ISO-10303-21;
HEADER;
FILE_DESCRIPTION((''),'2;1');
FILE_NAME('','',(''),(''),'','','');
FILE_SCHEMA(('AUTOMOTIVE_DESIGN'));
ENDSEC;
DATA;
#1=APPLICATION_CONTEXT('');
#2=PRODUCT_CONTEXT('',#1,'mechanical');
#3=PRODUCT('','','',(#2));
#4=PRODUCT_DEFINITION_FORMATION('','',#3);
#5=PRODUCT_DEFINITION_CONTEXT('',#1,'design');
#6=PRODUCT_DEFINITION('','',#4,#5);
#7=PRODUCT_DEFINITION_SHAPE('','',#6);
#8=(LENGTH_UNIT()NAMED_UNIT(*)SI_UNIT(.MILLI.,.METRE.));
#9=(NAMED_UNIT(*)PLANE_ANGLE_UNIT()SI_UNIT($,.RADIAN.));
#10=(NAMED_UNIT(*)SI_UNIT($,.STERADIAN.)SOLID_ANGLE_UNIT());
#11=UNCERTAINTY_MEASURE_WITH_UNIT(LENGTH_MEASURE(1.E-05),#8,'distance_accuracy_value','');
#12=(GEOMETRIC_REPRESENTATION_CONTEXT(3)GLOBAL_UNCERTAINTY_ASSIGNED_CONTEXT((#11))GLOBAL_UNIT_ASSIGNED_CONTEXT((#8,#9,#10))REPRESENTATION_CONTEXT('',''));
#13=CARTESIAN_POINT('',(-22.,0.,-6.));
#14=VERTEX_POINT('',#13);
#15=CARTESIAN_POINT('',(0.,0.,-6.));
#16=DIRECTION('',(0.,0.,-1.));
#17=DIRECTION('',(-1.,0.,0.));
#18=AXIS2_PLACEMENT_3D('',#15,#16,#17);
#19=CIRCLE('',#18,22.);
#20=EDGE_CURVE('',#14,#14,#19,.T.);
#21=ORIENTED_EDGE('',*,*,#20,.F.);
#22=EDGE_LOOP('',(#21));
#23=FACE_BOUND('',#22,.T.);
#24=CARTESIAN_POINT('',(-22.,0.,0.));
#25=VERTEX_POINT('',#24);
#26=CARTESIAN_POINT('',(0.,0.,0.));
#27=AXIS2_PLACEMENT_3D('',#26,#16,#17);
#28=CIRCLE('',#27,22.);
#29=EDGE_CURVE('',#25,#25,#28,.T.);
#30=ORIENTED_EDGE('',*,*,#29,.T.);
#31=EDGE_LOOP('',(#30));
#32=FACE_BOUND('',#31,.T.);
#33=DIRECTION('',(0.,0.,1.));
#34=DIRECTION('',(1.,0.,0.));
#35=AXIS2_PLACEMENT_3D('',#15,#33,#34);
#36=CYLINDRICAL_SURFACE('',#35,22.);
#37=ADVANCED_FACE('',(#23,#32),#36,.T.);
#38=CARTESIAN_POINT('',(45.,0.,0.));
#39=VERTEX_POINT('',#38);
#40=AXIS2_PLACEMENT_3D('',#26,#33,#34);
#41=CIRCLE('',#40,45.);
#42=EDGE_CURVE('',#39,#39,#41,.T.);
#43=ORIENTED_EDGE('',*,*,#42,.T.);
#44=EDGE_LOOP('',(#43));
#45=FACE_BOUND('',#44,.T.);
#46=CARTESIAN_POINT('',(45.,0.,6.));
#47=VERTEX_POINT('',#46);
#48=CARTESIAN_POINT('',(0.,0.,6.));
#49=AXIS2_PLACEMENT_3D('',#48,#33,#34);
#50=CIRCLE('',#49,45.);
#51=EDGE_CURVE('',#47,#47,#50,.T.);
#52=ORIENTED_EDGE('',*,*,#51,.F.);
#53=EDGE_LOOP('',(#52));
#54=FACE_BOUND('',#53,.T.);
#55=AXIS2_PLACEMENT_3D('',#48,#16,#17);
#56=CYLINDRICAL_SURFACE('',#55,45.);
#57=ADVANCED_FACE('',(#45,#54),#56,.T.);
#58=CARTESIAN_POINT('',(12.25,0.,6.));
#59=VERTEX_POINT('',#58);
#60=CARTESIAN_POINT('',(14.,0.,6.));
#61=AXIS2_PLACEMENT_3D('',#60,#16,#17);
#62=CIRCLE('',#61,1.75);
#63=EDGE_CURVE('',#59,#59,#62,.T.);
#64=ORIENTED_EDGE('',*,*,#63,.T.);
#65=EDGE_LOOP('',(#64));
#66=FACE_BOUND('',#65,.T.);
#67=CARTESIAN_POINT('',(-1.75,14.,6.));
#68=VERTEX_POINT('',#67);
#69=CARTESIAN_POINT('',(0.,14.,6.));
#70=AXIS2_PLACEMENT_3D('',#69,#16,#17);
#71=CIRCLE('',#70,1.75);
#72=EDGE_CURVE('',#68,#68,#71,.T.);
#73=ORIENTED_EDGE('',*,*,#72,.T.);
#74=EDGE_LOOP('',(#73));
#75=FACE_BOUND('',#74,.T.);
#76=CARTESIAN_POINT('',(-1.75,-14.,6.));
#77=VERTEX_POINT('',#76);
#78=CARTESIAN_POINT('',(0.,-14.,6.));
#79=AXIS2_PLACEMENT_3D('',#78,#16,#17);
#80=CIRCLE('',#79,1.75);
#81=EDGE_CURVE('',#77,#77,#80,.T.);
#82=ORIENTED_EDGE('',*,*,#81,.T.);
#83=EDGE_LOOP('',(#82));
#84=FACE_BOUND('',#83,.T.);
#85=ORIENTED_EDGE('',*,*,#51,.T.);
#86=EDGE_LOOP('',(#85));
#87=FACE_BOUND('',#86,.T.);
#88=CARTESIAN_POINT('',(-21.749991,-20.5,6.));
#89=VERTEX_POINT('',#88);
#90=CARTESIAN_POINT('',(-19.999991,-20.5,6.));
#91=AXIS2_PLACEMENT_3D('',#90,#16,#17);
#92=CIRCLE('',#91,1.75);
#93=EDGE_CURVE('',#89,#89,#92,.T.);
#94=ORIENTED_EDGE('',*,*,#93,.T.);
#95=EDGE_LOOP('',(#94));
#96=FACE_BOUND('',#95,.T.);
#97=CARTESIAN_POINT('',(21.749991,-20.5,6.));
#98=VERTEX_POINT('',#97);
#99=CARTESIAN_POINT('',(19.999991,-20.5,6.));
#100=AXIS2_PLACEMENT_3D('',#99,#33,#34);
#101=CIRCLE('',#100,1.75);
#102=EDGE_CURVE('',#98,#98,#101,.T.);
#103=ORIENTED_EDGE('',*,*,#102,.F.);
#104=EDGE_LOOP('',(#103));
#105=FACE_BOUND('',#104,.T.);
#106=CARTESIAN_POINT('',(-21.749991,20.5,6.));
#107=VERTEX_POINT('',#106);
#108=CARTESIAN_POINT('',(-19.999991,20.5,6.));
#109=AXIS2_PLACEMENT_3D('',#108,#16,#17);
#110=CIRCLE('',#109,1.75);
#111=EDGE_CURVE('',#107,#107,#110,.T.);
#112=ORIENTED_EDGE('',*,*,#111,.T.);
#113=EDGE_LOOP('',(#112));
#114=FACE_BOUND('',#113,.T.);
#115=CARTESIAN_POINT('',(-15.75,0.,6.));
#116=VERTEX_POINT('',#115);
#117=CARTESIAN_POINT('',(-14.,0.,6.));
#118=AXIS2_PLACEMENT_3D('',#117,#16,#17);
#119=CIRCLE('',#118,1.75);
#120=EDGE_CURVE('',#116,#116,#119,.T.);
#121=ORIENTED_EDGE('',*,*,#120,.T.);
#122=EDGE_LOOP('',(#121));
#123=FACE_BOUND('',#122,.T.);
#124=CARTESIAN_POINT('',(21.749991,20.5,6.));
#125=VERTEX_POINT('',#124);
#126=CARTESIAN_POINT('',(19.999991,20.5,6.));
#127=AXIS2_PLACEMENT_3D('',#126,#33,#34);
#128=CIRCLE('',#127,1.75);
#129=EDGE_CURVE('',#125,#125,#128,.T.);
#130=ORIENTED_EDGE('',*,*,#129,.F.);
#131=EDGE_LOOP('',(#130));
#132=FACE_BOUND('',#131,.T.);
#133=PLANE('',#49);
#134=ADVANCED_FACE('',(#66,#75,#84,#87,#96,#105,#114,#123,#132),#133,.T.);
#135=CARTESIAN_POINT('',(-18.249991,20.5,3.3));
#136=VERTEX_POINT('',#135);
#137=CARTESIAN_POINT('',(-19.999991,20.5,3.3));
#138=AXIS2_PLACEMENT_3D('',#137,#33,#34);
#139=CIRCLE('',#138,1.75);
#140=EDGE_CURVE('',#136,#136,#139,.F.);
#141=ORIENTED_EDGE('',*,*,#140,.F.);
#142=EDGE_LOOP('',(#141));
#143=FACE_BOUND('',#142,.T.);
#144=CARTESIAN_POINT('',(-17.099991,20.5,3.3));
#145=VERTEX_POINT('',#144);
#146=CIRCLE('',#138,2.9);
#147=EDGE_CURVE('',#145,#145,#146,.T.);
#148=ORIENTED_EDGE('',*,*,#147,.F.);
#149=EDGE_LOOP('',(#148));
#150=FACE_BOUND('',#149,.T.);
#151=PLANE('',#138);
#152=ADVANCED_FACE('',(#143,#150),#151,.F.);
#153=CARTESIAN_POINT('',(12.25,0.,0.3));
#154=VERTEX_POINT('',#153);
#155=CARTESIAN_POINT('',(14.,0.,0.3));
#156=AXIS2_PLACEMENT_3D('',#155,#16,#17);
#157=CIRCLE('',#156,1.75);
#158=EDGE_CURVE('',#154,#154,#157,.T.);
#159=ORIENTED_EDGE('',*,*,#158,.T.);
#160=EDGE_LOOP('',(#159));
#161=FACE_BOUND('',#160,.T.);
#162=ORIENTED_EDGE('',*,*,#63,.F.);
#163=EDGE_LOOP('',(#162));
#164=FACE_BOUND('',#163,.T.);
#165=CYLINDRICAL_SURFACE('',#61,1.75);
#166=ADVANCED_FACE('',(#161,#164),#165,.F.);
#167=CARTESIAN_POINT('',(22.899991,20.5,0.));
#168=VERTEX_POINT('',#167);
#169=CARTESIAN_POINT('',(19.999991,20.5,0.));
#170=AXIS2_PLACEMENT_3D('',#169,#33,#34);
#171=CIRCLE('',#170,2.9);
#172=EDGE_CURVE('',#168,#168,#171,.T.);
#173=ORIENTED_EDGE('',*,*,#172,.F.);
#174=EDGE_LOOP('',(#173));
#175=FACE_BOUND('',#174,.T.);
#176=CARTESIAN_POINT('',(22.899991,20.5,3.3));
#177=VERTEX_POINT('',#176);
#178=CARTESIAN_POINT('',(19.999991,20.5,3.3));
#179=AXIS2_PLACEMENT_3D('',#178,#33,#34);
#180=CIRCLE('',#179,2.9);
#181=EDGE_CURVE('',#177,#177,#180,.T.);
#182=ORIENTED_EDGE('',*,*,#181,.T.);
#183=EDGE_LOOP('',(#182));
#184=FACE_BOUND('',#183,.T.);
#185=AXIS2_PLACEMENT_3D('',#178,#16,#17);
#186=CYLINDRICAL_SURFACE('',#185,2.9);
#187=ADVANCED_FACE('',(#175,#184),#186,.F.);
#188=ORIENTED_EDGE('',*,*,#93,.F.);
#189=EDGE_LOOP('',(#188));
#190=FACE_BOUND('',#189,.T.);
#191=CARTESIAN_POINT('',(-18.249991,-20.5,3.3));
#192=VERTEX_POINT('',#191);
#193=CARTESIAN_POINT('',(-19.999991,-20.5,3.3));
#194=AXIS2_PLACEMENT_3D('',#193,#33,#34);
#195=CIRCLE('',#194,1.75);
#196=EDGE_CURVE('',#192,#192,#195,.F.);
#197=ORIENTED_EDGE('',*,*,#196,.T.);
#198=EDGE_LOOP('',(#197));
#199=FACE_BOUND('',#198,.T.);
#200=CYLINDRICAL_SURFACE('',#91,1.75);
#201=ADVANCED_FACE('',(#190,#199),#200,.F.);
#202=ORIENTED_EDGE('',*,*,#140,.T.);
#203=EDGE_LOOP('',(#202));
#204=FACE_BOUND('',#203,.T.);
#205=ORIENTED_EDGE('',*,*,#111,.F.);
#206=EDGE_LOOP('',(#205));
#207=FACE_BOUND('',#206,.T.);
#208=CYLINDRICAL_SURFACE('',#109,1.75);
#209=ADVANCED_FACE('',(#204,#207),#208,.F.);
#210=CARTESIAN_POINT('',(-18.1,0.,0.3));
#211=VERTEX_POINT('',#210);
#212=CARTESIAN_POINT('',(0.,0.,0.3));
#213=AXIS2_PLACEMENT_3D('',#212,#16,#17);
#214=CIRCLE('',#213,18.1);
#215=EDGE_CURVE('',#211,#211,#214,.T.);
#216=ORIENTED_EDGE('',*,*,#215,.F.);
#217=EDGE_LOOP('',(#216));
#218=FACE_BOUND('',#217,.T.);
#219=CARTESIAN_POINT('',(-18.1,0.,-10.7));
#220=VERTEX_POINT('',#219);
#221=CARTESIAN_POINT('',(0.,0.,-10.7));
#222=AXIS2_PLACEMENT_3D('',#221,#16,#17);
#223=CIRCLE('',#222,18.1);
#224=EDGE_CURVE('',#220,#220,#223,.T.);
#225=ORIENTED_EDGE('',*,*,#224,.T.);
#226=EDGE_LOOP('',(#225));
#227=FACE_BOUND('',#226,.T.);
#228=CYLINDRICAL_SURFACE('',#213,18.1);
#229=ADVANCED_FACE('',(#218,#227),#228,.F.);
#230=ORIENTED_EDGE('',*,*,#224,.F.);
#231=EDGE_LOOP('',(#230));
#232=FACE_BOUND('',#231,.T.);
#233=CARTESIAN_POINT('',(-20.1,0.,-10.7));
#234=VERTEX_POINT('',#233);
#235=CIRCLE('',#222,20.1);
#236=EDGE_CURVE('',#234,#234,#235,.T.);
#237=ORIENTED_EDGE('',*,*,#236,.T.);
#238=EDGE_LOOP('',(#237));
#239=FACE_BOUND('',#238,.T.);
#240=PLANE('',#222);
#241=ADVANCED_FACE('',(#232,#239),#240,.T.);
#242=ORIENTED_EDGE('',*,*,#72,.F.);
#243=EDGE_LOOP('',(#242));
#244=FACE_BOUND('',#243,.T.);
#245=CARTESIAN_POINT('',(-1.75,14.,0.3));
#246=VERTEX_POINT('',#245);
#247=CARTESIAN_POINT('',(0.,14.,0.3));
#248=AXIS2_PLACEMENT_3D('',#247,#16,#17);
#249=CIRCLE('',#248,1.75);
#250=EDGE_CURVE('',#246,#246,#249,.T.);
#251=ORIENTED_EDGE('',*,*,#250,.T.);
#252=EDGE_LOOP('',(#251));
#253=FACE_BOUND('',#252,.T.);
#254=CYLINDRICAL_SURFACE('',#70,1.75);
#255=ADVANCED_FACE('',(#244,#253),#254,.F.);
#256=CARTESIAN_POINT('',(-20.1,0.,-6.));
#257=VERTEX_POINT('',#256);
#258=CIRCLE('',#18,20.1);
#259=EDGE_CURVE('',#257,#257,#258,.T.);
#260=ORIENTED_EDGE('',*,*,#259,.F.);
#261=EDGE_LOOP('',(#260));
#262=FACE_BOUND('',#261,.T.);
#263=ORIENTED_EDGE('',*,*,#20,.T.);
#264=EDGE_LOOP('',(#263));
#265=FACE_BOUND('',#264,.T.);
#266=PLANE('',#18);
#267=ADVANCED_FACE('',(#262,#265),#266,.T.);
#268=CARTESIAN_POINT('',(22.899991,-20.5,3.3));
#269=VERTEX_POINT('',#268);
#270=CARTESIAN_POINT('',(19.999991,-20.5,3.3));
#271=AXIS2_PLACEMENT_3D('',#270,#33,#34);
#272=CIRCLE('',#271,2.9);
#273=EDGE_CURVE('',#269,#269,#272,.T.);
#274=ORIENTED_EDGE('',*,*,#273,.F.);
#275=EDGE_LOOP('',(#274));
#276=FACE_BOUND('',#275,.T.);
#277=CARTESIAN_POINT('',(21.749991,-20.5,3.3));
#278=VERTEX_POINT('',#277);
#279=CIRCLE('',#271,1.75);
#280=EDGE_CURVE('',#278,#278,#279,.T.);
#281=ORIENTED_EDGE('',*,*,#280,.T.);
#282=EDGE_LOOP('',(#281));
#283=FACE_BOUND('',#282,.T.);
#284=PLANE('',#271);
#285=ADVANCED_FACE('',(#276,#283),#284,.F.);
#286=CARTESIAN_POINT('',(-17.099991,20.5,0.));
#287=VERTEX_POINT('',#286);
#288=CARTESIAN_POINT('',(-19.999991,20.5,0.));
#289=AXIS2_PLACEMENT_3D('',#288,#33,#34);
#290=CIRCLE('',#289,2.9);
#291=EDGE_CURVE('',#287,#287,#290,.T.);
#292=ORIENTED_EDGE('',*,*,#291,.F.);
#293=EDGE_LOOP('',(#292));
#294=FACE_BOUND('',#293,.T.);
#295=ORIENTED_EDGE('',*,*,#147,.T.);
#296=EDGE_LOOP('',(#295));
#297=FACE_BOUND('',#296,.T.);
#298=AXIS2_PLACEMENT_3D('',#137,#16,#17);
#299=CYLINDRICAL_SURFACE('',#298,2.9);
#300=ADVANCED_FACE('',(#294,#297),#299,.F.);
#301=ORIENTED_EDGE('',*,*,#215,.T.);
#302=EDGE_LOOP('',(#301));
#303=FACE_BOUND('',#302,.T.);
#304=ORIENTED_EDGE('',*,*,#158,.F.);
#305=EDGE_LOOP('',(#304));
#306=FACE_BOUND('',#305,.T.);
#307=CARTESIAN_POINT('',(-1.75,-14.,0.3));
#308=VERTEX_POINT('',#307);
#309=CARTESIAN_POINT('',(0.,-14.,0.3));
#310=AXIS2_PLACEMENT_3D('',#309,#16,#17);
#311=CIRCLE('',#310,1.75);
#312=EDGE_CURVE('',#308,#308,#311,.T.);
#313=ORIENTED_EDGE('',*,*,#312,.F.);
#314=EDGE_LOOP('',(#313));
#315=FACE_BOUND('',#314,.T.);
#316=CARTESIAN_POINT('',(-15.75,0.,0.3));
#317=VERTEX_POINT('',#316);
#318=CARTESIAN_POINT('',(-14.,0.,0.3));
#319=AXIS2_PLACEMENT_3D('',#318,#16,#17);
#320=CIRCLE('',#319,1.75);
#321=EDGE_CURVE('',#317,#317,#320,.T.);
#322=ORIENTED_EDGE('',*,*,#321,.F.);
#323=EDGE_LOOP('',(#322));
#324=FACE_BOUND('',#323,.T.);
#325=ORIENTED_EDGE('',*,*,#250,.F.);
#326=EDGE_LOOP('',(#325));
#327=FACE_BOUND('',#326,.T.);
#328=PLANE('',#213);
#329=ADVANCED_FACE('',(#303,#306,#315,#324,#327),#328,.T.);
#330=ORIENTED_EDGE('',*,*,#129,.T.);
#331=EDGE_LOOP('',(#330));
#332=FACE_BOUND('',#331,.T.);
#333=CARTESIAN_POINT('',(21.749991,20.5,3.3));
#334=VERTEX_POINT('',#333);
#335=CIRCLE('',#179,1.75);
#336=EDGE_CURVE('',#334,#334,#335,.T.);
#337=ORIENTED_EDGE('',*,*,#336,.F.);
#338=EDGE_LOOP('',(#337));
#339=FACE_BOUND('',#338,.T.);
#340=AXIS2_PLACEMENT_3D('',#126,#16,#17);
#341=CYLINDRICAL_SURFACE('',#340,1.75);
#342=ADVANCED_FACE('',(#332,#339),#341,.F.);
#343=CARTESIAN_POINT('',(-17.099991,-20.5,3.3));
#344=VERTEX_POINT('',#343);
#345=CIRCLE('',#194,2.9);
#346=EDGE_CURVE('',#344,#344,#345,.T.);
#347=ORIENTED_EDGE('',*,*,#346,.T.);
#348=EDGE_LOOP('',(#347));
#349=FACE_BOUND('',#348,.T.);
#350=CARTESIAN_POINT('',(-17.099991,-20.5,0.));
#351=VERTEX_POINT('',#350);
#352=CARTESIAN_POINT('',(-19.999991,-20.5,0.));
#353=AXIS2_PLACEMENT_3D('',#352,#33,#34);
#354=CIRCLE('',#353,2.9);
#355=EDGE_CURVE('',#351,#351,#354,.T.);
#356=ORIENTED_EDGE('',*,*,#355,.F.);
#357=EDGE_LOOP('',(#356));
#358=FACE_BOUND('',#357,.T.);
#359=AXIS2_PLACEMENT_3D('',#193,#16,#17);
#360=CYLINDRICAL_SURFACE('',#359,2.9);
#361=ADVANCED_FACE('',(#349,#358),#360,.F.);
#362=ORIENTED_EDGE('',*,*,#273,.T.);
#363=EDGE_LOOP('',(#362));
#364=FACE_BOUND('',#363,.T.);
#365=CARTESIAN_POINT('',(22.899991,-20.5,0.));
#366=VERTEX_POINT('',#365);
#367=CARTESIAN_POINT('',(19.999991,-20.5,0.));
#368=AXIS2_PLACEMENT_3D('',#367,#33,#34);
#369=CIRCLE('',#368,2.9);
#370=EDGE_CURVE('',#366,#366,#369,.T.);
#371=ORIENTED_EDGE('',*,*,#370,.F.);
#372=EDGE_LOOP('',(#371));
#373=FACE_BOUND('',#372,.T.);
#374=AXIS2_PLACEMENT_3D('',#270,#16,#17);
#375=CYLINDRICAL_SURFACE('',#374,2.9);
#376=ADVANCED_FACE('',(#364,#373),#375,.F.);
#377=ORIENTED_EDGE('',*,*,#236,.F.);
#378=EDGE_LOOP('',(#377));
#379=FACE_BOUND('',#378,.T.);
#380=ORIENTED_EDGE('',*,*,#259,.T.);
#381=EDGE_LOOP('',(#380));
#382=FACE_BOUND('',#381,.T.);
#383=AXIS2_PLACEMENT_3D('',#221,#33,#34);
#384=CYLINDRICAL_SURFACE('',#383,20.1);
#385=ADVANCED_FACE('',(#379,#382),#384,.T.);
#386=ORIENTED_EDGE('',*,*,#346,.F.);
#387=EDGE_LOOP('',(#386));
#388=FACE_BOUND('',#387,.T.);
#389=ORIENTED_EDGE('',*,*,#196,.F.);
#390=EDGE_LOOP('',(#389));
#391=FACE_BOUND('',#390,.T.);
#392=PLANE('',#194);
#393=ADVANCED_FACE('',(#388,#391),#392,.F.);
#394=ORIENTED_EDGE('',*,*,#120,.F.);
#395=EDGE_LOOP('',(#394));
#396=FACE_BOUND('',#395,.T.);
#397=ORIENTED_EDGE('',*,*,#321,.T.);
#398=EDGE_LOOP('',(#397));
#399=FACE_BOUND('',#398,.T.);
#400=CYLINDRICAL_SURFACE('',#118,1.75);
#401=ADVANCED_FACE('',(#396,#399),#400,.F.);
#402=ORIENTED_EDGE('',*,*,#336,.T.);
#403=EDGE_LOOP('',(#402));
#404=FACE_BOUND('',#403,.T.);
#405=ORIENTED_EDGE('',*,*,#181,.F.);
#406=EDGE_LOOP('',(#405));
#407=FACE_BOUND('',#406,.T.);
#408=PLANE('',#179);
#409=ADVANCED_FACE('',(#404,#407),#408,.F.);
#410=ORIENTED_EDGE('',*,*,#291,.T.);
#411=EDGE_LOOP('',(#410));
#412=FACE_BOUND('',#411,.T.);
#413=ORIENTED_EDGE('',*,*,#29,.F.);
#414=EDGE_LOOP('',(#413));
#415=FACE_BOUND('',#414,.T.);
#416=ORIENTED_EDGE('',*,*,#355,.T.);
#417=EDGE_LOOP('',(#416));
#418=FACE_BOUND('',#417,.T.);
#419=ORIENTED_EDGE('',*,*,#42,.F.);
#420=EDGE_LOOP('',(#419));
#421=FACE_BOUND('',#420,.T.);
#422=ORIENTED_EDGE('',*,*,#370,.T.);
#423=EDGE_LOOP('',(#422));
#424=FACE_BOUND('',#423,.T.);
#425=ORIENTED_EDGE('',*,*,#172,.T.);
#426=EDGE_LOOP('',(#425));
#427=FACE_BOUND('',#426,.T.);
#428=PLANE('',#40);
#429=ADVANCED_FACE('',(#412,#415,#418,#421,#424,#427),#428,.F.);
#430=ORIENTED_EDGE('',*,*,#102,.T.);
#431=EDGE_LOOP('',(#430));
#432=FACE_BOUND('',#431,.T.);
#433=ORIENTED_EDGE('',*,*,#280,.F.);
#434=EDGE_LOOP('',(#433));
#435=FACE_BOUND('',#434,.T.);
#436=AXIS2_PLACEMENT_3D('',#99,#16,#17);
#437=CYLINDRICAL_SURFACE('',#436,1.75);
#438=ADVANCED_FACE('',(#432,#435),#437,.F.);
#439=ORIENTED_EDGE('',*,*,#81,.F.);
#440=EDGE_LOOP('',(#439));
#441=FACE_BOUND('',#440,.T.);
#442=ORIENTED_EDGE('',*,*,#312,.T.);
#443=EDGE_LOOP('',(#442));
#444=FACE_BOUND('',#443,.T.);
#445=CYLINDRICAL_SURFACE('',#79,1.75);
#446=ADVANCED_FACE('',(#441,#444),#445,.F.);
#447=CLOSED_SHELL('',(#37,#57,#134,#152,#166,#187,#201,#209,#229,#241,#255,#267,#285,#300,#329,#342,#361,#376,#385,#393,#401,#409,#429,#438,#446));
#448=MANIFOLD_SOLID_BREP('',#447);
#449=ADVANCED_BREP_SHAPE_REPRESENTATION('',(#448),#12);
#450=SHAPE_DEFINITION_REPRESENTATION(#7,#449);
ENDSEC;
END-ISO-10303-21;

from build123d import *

# Parameters (mm, degrees)
SKETCH1_R               = 45
BOSS_EXTRUDE1_DEPTH     = 6
SKETCH2_R               = 22
BOSS_EXTRUDE2_DEPTH     = 6
SKETCH3_R               = 20.1
BOSS_EXTRUDE3_DEPTH     = 4.7
SKETCH4_R               = 18.1
CUT_EXTRUDE1_DEPTH      = 11
SKETCH5_R               = 1.75
CUT_EXTRUDE2_DEPTH      = 6.7
SKETCH6_R               = 1.75
CUT_EXTRUDE3_DEPTH      = 12
CUT_EXTRUDE3_DEPTH_BACK = 6.7
SKETCH7_R               = 2.9
CUT_EXTRUDE5_DEPTH      = 3.3


with BuildPart() as part:
    # Sketch1 → Boss-Extrude1 (new body)
    with BuildSketch(Plane.XY):
        Circle(SKETCH1_R)
    extrude(amount=BOSS_EXTRUDE1_DEPTH)

    # Sketch2 → Boss-Extrude2 (add)
    with BuildSketch(Plane(origin=(0, 0, 0), x_dir=(-1, 0, 0), z_dir=(0, 0, -1))):
        Circle(SKETCH2_R)
    extrude(amount=BOSS_EXTRUDE2_DEPTH)

    # Sketch3 → Boss-Extrude3 (add)
    with BuildSketch(Plane(origin=(0, 0, -6), x_dir=(-1, 0, 0), z_dir=(0, 0, -1))):
        Circle(SKETCH3_R)
    extrude(amount=BOSS_EXTRUDE3_DEPTH)

    # Sketch4 → Cut-Extrude1 (cut)
    with BuildSketch(Plane(origin=(0, 0, -10.7), x_dir=(-1, 0, 0), z_dir=(0, 0, -1))):
        Circle(SKETCH4_R)
    extrude(amount=-CUT_EXTRUDE1_DEPTH, mode=Mode.SUBTRACT)

    # Sketch5 → Cut-Extrude2 (cut, through all)
    with BuildSketch(Plane(origin=(0, 0, 0.3), x_dir=(-1, 0, 0), z_dir=(0, 0, -1))):
        with Locations((14, 0)):
            Circle(SKETCH5_R)
        with Locations((0, -14)):
            Circle(SKETCH5_R)
        with Locations((-14, 0)):
            Circle(SKETCH5_R)
        with Locations((0, 14)):
            Circle(SKETCH5_R)
    extrude(amount=-CUT_EXTRUDE2_DEPTH, mode=Mode.SUBTRACT)

    # Sketch6 → Cut-Extrude3 (cut, two sides)
    with BuildSketch(Plane(origin=(0, 0, 0.3), x_dir=(-1, 0, 0), z_dir=(0, 0, -1))) as cut_extrude3_sk:
        with Locations((19.999991423, -20.5)):
            Circle(SKETCH6_R)
        with Locations((-19.999991423, 20.5)):
            Circle(SKETCH6_R)
        with Locations((-19.999991423, -20.5)):
            Circle(SKETCH6_R)
        with Locations((19.999991423, 20.5)):
            Circle(SKETCH6_R)
    extrude(amount=CUT_EXTRUDE3_DEPTH, mode=Mode.SUBTRACT)
    extrude(cut_extrude3_sk.sketch, amount=-CUT_EXTRUDE3_DEPTH_BACK, mode=Mode.SUBTRACT)

    # Sketch7 → Cut-Extrude5 (cut)
    with BuildSketch(Plane.XY):
        with Locations((19.999991423, 20.5)):
            Circle(SKETCH7_R)
        with Locations((-19.999991423, 20.5)):
            Circle(SKETCH7_R)
        with Locations((-19.999991423, -20.5)):
            Circle(SKETCH7_R)
        with Locations((19.999991423, -20.5)):
            Circle(SKETCH7_R)
    extrude(amount=CUT_EXTRUDE5_DEPTH, mode=Mode.SUBTRACT)


solid = part.part
